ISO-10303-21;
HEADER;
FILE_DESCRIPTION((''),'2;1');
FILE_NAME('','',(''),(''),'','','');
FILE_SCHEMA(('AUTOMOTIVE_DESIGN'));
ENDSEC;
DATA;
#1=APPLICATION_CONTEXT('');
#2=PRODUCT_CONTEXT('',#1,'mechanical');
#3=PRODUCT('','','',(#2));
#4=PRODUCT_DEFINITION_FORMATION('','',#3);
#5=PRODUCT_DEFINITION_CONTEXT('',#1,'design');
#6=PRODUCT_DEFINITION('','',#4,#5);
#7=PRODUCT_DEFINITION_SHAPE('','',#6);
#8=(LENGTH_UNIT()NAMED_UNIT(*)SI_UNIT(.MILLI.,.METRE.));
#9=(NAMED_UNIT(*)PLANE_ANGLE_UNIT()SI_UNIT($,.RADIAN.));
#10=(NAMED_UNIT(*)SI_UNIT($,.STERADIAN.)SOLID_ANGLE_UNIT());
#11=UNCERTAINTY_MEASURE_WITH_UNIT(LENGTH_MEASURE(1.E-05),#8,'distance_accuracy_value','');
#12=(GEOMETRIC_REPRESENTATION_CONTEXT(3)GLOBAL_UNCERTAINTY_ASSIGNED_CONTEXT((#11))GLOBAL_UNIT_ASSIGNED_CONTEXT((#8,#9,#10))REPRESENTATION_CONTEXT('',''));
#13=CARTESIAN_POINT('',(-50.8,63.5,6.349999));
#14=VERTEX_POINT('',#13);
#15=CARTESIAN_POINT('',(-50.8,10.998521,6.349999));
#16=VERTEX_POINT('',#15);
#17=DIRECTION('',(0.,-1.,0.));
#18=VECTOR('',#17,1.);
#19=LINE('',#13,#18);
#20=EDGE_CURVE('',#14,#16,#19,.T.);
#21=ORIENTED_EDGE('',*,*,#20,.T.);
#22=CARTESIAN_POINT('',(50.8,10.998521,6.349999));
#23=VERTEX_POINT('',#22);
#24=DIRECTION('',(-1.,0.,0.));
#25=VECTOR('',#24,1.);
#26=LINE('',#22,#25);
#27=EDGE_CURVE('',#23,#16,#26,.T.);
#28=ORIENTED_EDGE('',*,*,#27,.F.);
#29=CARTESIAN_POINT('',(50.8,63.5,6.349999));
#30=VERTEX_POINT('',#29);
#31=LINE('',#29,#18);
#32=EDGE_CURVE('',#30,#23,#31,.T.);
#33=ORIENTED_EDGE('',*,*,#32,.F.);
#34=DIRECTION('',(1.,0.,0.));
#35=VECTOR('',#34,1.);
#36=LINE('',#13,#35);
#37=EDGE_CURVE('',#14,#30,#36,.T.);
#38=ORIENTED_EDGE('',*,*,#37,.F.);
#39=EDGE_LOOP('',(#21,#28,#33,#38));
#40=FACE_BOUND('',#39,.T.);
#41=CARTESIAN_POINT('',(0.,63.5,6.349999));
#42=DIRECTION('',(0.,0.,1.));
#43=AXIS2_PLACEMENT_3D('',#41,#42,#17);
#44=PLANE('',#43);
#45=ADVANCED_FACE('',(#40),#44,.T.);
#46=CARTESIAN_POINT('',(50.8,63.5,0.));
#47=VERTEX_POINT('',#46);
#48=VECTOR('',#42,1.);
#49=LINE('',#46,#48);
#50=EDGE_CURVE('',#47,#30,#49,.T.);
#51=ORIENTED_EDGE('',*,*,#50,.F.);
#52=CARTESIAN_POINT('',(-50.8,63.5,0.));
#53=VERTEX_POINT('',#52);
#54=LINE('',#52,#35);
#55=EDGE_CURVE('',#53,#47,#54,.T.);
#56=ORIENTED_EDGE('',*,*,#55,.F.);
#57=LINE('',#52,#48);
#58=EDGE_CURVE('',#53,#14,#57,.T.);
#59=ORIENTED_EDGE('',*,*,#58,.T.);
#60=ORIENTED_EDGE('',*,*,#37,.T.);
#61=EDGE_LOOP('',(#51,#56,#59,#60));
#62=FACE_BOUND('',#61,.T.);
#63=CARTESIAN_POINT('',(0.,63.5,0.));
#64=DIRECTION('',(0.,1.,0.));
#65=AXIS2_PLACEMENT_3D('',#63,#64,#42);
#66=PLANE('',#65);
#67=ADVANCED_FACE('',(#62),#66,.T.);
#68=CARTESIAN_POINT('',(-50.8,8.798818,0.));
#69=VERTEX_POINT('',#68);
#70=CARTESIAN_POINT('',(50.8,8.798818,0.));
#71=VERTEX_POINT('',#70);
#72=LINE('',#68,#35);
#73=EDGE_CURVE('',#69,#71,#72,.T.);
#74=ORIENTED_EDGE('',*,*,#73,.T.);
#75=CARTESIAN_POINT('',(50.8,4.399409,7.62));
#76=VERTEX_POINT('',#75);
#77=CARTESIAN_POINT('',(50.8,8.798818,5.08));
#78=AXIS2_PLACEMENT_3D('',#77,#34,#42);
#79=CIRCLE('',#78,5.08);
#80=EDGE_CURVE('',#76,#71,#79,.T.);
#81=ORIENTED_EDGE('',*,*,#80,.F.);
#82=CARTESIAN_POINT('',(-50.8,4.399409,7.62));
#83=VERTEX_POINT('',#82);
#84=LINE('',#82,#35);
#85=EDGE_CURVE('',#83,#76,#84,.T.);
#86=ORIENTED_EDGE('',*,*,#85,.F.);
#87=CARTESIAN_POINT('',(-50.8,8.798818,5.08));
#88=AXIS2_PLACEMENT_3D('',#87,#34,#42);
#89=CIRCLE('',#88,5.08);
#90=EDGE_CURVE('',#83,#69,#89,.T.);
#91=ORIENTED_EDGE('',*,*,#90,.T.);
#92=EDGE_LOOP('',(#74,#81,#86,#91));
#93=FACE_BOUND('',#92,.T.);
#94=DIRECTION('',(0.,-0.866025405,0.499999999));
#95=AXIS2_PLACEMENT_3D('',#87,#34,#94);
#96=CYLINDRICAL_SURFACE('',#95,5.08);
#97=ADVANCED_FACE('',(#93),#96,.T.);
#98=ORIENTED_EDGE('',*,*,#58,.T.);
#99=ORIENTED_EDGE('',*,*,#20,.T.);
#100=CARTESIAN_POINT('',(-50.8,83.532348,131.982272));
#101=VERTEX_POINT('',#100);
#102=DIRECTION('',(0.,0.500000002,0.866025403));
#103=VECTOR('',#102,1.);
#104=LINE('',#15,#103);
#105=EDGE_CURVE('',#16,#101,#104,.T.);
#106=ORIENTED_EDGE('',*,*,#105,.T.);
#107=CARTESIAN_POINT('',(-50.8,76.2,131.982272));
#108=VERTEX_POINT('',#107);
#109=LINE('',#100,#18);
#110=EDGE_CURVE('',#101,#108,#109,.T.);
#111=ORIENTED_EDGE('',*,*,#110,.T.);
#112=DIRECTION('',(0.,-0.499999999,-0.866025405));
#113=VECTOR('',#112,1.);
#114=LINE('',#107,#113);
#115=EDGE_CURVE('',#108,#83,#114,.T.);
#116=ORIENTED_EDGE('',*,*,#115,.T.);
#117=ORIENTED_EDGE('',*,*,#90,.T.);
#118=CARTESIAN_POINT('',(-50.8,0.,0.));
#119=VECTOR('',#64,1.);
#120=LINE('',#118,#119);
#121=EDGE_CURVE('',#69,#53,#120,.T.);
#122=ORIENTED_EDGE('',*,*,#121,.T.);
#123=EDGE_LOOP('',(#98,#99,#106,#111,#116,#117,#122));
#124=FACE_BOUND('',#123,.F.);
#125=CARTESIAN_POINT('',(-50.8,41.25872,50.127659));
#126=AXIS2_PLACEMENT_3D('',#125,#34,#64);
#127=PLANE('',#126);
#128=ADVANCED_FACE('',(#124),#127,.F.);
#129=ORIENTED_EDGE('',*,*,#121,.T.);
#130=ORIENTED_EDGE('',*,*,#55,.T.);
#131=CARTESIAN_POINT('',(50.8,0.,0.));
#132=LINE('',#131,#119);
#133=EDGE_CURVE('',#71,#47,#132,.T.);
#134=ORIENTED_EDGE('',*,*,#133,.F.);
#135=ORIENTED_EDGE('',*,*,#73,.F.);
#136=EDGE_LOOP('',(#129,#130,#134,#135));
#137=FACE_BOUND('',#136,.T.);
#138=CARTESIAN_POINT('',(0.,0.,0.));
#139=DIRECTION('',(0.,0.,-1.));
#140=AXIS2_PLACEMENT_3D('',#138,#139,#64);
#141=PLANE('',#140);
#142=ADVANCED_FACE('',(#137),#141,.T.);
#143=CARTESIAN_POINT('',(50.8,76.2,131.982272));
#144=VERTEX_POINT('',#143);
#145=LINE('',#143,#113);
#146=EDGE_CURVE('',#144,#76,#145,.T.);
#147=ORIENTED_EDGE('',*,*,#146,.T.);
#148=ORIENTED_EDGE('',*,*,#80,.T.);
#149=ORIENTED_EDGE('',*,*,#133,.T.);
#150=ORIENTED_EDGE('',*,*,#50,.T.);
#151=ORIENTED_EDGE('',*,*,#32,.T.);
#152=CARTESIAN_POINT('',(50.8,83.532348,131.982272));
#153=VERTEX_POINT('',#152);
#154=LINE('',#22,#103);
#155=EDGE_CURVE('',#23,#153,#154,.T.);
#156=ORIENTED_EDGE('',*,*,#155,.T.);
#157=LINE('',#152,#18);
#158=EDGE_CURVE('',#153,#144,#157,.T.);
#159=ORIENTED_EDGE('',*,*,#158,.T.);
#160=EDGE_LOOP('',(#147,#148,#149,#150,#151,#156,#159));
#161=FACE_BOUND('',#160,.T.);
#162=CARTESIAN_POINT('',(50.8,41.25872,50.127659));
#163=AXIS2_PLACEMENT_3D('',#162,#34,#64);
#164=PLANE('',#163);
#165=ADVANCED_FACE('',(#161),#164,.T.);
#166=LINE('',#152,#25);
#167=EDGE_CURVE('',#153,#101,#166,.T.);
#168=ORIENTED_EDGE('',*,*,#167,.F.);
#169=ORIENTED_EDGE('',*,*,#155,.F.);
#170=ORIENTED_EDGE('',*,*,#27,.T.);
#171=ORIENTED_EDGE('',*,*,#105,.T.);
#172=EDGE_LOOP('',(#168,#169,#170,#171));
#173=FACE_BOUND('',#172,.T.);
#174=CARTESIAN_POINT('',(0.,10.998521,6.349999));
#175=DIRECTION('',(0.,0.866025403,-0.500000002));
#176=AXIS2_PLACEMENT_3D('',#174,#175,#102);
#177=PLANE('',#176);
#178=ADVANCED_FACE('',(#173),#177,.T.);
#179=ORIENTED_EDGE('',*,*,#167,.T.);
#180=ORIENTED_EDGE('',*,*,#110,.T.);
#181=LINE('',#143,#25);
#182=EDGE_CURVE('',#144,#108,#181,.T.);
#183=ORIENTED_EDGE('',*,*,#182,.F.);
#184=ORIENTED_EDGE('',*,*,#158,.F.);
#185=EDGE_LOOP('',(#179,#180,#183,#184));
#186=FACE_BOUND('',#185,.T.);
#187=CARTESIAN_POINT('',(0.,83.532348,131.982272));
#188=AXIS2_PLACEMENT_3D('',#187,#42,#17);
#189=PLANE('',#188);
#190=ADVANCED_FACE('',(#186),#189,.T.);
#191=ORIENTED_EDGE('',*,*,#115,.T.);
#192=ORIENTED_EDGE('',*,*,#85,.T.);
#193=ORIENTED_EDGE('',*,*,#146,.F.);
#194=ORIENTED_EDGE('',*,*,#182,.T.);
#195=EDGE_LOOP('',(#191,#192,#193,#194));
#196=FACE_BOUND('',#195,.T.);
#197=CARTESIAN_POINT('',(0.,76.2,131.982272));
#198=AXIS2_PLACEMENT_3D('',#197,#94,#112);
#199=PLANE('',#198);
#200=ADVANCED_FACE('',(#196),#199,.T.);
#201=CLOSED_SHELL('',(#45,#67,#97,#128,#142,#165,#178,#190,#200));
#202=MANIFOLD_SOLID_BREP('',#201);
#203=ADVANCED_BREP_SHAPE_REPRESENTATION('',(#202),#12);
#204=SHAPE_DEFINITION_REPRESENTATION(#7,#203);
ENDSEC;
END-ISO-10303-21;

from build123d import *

# Parameters (mm, degrees)
F1_DEPTH = 50.8
F2_R     = 5.08


with BuildPart() as f1:
    # F0 (on Right) → F1 (new body, symmetric)
    with BuildSketch(Plane.YZ):
        Polygon((76.2, 131.982272), (0, 0), (63.5, 0), (63.5, 6.349999), (10.998521, 6.349999), (83.532348, 131.982272), align=None)
    extrude(amount=F1_DEPTH, both=True)

    # F2
    f2_edges = [f1.edges().sort_by_distance(p)[0] for p in [
        (0, 0, 0),
    ]]
    fillet(f2_edges, radius=F2_R)


solid = f1.part
